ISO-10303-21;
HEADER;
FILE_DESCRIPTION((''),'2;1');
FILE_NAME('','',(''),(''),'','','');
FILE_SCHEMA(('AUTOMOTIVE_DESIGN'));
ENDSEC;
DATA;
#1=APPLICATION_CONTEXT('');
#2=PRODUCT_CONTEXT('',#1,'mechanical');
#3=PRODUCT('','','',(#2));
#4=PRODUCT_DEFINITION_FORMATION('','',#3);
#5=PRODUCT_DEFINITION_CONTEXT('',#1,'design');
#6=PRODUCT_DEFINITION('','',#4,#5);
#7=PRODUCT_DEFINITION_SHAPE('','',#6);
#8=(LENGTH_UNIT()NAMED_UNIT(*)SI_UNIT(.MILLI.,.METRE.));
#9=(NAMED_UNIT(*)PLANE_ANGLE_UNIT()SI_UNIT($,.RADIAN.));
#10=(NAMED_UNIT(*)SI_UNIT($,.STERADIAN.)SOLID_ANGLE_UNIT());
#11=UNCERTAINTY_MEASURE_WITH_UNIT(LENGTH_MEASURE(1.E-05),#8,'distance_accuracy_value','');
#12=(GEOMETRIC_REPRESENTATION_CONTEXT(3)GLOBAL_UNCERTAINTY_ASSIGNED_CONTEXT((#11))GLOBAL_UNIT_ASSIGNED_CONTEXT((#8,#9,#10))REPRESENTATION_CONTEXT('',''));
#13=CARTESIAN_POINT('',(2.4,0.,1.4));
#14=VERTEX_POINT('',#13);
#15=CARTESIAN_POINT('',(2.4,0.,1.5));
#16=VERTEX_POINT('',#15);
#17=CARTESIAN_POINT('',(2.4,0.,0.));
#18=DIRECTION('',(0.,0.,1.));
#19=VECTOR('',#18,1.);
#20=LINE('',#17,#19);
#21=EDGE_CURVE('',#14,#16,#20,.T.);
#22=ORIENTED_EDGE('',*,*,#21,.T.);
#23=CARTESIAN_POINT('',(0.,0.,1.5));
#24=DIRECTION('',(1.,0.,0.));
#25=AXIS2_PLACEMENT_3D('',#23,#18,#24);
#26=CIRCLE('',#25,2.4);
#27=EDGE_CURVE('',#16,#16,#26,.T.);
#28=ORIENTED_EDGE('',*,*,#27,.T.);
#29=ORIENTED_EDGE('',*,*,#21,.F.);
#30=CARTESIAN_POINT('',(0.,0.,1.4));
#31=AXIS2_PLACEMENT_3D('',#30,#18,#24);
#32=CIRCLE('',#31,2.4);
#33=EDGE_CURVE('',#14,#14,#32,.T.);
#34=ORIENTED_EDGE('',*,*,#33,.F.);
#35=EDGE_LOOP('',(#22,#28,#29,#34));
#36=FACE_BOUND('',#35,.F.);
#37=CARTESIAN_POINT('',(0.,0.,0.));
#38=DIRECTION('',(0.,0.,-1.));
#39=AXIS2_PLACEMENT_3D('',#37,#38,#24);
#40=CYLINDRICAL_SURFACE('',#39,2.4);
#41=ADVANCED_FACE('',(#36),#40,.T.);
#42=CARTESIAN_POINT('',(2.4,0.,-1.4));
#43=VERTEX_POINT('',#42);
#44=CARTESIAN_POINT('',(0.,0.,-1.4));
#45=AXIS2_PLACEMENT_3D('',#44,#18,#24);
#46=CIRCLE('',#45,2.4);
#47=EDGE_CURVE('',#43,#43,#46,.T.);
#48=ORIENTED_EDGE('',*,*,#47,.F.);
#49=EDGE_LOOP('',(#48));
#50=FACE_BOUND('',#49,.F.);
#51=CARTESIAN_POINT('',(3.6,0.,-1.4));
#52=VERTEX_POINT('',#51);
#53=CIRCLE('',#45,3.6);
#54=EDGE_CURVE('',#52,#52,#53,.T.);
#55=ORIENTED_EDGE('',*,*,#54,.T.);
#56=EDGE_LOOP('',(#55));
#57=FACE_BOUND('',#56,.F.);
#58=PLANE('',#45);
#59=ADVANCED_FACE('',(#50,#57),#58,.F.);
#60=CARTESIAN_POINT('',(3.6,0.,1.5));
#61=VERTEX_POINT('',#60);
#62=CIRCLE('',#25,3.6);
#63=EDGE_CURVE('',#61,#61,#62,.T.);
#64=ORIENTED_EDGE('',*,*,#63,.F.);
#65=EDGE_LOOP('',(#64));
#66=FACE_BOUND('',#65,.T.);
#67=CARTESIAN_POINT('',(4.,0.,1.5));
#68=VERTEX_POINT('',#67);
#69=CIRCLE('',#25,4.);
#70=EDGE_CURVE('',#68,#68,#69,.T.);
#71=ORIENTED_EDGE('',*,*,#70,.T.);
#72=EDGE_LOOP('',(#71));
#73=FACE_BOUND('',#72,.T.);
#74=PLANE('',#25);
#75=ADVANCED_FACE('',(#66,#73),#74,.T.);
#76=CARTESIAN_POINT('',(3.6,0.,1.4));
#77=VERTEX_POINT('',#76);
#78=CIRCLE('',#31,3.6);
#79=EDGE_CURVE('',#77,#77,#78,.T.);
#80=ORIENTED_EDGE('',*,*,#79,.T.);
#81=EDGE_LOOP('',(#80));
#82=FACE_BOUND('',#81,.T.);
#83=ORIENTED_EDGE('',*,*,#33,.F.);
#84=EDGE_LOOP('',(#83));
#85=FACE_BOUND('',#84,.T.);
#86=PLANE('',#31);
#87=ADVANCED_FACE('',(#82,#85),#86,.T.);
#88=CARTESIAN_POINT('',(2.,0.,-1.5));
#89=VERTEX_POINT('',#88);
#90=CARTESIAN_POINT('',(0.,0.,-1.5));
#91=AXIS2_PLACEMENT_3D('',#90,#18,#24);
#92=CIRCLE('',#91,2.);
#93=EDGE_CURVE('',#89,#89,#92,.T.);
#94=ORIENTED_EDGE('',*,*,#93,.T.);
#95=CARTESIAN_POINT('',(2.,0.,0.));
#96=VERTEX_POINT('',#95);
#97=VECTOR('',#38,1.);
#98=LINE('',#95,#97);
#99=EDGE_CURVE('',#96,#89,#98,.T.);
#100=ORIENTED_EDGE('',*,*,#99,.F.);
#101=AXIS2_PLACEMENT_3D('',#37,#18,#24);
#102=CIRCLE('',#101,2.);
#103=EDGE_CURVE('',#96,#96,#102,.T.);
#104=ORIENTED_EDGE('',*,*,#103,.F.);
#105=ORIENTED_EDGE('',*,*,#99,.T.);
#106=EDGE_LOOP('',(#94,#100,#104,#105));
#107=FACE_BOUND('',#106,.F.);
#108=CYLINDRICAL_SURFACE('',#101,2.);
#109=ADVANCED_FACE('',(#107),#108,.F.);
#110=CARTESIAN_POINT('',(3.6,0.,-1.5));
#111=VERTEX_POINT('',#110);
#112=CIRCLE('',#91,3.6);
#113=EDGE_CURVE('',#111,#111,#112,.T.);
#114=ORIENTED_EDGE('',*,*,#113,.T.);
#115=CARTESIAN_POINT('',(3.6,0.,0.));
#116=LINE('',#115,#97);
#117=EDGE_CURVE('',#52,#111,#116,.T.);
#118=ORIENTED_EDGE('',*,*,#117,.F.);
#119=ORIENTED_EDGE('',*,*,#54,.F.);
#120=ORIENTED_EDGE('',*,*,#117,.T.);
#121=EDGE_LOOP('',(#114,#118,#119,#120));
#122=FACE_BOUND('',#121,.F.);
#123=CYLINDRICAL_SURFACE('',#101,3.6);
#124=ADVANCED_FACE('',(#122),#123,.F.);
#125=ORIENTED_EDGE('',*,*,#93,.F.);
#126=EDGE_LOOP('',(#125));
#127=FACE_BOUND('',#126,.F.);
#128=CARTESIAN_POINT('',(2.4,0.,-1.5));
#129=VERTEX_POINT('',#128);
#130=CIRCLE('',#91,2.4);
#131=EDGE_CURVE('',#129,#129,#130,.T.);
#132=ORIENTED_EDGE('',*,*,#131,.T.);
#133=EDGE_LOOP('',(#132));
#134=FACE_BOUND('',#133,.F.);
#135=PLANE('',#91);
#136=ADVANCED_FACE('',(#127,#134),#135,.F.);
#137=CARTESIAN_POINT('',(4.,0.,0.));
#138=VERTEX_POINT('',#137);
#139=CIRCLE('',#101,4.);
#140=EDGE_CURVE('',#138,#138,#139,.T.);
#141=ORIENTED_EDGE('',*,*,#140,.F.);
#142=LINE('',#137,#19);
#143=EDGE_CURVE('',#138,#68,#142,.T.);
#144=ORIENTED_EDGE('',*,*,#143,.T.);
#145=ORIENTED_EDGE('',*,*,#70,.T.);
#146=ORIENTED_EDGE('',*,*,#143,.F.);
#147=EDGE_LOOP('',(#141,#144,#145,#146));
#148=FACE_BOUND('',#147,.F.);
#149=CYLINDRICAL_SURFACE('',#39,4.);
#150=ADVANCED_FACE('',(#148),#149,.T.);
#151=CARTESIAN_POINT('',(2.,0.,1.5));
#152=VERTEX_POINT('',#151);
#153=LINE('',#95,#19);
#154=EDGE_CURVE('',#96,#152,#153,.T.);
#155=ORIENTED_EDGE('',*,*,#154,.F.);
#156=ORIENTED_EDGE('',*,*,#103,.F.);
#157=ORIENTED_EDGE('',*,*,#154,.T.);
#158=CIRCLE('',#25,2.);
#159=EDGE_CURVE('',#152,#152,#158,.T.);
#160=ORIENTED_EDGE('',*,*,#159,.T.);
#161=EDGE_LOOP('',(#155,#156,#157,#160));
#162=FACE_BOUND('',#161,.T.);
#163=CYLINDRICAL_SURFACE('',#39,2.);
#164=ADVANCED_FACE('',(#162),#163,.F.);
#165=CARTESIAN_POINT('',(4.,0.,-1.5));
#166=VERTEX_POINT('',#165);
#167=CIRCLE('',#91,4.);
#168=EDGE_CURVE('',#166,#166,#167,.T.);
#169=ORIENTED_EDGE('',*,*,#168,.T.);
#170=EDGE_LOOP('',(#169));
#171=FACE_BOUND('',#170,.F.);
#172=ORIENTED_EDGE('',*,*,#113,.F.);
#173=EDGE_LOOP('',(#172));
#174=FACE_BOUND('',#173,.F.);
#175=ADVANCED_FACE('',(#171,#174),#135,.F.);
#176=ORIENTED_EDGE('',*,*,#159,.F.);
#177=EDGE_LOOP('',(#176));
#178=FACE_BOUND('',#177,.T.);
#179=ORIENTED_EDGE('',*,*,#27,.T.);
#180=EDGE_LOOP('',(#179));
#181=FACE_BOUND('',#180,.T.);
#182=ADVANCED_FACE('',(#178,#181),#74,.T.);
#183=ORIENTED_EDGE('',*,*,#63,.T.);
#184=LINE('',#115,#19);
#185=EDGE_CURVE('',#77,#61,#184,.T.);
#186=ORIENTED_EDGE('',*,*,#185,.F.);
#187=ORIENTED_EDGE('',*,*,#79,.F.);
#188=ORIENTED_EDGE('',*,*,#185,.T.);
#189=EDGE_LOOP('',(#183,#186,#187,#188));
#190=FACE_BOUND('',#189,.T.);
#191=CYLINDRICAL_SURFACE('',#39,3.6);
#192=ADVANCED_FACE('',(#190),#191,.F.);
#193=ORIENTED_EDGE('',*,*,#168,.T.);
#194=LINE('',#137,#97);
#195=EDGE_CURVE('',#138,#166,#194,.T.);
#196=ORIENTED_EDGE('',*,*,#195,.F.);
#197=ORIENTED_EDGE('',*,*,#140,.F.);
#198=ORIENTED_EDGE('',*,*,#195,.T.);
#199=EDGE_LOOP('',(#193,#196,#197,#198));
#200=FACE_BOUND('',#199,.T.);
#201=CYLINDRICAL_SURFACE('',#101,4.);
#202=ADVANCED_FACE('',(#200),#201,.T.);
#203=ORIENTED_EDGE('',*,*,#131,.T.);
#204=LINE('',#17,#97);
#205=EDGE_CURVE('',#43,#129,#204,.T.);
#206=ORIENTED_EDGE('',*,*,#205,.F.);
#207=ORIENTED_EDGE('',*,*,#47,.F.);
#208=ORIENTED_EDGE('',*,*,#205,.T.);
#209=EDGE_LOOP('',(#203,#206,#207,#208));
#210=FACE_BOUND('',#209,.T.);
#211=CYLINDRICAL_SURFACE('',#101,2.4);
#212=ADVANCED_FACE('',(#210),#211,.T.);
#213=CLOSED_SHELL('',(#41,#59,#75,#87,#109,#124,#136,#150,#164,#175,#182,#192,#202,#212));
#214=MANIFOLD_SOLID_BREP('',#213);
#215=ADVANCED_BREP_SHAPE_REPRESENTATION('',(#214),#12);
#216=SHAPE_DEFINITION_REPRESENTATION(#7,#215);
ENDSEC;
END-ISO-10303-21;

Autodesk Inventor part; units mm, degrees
ref_plane "YZ Plane" through (0, 0, 0) normal (1, 0, 0) x (0, 1, 0)
ref_plane "XZ Plane" through (0, 0, 0) normal (0, 1, 0) x (-1, 0, 0)
ref_plane "XY Plane" through (0, 0, 0) normal (0, 0, 1) x (1, 0, 0)
sketch "Skizze1" plane through (0, 0, 0) normal (0, 0, 1) x (1, 0, 0)
  circle A0 centre (0, 0) radius 2
  circle A1 centre (0, 0) radius 4
  circle A2 centre (0, 0) radius 2.4
  circle A3 centre (0, 0) radius 3.6
  dimension "d0" = 4
  dimension "d1" = 8
  dimension "d3" = 0.4
  dimension "d4" = 0.4
extrude "Extrusion1" add sketch "Skizze1" along normal mid plane 2.8 contours A3
extrude "Extrusion2" add sketch "Skizze1" along normal mid plane 3
properties part number "Kugellager 8 x 4 x 3"
